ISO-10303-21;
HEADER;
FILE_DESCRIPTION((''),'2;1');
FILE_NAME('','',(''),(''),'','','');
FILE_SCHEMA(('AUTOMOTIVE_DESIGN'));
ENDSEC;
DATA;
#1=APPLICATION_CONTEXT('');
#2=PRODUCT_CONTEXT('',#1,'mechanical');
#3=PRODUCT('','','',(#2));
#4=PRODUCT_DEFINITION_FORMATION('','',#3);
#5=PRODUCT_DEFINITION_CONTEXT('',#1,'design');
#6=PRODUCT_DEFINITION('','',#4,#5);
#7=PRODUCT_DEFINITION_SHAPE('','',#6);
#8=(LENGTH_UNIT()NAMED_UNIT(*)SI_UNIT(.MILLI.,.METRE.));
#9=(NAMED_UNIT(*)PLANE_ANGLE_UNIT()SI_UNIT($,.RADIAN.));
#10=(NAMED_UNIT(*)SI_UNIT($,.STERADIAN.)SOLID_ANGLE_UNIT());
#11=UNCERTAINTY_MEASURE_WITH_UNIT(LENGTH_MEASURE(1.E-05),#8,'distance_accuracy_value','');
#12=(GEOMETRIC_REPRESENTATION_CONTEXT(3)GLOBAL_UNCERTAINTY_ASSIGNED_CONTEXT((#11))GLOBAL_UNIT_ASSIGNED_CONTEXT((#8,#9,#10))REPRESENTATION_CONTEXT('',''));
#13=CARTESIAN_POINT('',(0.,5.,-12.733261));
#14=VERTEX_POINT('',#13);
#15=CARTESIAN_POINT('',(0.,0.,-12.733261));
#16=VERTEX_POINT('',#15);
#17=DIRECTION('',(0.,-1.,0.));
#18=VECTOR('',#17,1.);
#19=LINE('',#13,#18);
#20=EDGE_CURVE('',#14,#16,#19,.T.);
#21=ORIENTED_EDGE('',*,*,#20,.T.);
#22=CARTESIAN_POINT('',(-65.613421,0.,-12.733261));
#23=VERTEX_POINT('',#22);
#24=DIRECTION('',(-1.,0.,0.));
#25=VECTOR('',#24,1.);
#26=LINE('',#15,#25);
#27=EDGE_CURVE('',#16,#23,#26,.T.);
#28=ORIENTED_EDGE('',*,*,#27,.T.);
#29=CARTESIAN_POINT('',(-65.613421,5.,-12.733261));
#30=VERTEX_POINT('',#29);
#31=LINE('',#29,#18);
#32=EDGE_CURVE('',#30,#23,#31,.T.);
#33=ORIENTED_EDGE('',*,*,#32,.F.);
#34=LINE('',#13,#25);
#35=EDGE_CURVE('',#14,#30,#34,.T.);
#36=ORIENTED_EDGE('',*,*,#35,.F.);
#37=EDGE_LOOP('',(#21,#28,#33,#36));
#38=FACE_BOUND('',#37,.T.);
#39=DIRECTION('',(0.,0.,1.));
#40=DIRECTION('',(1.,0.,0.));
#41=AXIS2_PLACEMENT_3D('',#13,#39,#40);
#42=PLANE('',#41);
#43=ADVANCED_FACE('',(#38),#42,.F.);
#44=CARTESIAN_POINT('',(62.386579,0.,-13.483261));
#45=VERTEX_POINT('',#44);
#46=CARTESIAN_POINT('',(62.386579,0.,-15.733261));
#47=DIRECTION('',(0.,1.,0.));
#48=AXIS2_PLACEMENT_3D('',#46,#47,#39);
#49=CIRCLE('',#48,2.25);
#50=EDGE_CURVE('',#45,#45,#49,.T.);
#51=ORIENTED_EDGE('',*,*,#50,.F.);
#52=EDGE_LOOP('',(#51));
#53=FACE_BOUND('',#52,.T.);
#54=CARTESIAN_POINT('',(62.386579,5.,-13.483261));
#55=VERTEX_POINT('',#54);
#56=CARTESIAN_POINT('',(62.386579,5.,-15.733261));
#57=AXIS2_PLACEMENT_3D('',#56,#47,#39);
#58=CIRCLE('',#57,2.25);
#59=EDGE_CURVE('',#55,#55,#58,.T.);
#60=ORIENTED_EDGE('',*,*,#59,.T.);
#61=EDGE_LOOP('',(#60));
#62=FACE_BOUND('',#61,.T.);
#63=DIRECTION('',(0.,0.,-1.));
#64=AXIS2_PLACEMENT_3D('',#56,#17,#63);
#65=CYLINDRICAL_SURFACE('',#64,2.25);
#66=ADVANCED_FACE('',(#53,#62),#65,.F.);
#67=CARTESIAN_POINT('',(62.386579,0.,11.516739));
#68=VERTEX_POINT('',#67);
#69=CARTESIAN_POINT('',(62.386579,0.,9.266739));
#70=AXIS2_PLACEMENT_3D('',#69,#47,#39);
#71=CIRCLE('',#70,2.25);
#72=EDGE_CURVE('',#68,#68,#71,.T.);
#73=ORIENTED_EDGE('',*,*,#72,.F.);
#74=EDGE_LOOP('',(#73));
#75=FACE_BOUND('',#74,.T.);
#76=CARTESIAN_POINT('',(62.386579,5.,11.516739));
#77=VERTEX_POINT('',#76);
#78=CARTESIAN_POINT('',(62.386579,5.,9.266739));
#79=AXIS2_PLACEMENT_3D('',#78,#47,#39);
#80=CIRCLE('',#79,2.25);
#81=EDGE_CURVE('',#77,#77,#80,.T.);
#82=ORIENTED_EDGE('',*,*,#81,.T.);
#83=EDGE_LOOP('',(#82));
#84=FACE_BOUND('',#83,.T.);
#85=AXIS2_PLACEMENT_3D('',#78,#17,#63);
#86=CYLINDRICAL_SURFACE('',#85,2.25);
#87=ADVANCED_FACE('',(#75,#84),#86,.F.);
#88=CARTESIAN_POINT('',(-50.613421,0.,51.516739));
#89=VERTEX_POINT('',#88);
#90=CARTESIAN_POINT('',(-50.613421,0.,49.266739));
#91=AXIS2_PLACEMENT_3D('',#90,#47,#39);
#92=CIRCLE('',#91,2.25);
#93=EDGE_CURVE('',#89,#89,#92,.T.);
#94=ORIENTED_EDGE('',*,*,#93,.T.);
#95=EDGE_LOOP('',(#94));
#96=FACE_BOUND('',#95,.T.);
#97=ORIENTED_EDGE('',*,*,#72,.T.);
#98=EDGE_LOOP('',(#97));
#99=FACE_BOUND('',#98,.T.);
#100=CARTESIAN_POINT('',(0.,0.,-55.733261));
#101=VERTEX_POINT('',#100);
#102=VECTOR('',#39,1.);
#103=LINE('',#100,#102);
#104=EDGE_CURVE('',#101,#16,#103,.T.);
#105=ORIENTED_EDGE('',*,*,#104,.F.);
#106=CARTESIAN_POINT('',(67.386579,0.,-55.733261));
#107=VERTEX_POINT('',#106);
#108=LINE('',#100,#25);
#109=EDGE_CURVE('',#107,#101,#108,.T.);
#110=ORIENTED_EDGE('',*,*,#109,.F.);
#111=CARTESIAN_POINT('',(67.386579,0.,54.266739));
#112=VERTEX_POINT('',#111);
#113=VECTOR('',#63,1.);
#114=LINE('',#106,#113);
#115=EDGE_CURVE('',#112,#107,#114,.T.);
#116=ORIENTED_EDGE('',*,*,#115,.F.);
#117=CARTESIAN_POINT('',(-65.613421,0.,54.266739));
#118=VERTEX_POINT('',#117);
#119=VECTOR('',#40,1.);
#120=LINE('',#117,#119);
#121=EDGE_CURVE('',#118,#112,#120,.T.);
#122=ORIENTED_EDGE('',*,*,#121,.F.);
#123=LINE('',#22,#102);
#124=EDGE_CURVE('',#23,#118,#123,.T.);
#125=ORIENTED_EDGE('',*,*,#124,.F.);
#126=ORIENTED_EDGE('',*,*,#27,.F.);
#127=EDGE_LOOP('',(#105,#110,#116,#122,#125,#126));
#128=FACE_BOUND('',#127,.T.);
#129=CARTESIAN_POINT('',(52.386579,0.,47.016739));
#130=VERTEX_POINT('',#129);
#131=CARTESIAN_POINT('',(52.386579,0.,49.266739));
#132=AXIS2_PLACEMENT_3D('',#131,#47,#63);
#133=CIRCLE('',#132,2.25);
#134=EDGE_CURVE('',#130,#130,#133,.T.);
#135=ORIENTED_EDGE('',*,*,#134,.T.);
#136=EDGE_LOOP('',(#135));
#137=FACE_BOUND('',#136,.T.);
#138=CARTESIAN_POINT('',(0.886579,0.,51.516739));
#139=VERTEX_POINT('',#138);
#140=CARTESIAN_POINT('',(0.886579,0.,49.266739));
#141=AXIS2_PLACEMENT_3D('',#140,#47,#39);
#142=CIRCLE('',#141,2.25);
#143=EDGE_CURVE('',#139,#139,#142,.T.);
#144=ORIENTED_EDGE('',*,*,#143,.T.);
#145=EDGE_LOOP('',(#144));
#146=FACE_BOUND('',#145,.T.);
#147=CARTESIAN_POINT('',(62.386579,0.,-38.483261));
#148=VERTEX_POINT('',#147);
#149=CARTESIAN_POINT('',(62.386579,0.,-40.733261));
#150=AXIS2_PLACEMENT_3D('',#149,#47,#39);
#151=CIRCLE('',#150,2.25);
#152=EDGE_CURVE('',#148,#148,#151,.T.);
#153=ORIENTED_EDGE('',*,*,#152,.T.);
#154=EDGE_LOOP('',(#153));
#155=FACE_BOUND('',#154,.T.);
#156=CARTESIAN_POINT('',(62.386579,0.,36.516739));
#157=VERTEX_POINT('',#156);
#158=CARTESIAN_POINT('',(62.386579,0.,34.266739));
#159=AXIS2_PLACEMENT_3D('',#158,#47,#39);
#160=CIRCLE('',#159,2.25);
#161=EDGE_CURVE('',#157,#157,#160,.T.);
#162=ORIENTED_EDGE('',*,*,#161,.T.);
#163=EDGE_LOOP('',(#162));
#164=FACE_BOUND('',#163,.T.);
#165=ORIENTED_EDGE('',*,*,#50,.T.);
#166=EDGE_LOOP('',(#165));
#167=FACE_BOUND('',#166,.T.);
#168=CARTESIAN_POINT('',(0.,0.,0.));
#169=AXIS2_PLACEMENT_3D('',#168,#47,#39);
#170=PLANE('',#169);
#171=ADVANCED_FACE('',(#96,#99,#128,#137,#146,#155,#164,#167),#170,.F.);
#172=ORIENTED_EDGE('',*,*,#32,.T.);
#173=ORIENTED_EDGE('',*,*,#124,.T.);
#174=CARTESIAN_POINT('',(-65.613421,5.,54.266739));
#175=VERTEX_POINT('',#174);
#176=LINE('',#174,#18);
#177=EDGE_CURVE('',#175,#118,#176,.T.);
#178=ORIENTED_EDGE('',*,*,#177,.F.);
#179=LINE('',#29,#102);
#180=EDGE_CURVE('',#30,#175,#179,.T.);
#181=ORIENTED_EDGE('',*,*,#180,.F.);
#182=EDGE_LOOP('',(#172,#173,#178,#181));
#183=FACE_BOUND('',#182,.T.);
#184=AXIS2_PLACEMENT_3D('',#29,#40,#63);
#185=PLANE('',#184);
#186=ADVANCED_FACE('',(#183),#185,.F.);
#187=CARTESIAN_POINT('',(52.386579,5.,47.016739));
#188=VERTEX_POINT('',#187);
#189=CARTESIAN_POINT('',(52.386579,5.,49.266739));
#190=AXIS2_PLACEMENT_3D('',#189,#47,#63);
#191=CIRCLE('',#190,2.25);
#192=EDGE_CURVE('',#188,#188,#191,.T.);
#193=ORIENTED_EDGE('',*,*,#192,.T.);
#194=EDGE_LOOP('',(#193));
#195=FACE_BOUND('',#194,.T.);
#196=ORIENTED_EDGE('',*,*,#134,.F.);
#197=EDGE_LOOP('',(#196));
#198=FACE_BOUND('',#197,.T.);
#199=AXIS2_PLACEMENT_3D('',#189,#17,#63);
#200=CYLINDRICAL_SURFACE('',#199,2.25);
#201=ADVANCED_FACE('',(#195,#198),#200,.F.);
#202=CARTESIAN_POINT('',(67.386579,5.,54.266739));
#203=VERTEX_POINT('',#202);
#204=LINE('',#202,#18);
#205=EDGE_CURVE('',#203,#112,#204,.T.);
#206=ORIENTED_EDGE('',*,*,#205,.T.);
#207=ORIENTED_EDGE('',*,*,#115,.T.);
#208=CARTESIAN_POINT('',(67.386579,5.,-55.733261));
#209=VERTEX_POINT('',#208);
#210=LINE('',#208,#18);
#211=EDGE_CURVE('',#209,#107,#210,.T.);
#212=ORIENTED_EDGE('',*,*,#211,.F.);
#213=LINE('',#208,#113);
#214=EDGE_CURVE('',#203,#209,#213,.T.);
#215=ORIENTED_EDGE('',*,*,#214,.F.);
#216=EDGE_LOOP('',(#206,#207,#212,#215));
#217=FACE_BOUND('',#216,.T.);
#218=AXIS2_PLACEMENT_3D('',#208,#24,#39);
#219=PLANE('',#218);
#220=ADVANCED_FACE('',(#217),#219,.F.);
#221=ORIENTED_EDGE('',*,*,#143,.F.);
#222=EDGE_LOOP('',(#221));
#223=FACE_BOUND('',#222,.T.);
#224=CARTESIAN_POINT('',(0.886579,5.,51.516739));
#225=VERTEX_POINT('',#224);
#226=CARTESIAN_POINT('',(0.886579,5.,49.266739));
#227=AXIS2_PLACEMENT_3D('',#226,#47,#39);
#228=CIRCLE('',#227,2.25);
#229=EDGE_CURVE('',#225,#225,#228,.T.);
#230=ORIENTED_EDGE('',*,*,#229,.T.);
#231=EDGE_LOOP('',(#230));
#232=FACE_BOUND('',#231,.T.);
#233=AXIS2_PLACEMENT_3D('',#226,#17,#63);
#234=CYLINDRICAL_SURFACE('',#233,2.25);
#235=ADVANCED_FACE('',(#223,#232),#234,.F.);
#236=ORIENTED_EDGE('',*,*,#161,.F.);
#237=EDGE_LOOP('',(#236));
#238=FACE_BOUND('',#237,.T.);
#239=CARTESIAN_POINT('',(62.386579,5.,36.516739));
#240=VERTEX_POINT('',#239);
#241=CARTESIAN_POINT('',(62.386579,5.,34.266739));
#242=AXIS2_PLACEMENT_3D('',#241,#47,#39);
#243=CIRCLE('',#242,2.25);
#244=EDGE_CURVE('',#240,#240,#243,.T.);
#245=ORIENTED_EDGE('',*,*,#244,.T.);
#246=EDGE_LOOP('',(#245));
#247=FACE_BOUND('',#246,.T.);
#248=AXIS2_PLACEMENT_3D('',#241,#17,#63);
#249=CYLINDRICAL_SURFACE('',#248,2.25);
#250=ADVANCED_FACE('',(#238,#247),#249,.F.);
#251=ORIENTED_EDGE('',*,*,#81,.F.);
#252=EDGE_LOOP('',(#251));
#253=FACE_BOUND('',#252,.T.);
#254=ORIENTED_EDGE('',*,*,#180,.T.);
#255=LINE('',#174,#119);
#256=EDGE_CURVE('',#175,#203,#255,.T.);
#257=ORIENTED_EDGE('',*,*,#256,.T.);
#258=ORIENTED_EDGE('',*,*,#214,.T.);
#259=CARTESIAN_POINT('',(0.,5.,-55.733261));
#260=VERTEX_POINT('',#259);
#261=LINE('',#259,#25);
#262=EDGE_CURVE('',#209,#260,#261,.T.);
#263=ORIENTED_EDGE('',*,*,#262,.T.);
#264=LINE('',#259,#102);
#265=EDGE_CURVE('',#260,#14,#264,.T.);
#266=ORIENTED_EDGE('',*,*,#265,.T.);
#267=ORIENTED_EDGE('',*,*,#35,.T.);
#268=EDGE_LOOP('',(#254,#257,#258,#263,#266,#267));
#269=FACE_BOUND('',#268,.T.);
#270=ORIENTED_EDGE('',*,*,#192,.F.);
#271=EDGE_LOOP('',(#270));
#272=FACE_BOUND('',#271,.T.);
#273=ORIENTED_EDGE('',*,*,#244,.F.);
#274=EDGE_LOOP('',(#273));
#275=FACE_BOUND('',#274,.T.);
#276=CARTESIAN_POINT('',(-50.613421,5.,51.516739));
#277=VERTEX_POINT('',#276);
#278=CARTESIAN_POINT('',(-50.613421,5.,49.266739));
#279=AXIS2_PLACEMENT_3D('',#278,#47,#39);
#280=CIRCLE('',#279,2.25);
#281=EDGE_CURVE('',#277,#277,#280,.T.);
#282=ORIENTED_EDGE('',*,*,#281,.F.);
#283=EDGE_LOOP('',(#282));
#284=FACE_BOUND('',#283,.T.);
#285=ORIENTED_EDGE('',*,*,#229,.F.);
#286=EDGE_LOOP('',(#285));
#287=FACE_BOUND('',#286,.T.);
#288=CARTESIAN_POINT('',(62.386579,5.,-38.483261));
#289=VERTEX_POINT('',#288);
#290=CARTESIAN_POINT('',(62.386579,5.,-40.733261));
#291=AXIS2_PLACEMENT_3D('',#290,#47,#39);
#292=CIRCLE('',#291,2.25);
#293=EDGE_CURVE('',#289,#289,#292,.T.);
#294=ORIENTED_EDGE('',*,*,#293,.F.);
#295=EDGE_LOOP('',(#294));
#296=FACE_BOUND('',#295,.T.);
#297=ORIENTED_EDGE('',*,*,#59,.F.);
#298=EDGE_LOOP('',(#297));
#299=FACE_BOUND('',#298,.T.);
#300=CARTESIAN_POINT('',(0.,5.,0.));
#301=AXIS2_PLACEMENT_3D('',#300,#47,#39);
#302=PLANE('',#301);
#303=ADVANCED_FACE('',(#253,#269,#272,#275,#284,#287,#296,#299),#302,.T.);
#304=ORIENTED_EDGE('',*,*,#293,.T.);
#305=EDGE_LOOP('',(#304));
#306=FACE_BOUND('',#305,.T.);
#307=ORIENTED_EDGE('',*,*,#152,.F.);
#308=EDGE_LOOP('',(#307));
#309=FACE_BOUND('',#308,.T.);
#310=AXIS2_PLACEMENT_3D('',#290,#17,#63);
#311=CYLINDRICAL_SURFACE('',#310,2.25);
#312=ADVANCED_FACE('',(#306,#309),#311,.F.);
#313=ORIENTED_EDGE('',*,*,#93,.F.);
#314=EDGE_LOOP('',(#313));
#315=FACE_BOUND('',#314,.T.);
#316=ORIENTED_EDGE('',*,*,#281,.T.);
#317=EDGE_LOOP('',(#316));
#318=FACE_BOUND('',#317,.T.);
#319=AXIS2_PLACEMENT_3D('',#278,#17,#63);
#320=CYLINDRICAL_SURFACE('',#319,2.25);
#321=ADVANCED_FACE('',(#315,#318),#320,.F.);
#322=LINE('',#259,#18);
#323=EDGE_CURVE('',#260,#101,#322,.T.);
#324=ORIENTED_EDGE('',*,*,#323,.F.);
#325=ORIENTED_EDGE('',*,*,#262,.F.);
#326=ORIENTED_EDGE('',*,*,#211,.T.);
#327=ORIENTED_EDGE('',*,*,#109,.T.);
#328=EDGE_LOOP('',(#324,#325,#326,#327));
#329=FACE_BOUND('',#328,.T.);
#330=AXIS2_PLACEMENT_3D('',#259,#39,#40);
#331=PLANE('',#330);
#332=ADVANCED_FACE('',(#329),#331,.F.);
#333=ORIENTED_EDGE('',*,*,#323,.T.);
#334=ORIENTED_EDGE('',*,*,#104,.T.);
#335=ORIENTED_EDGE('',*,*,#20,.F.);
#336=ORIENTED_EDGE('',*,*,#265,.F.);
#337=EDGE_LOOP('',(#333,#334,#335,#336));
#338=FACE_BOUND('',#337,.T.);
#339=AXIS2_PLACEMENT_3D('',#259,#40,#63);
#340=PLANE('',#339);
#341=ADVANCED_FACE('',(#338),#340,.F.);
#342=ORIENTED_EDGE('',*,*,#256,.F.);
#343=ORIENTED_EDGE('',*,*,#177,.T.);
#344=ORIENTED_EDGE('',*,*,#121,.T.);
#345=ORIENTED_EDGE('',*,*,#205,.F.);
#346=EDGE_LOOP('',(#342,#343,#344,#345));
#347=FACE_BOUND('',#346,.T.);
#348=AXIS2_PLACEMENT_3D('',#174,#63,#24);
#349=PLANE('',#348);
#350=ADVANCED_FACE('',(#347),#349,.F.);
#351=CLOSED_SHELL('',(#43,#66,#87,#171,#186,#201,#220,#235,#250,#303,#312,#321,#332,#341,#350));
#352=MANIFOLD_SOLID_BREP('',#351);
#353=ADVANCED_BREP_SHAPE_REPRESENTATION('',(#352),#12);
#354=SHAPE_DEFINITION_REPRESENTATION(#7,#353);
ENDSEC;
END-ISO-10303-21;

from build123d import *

# Parameters (mm, degrees)
SKETCH1_R           = 2.25
BOSS_EXTRUDE1_DEPTH = 5


with BuildPart() as part:
    # Sketch1 → Boss-Extrude1 (new body)
    with BuildSketch(Plane(origin=(0, 0, 0), x_dir=(1, 0, 0), z_dir=(0, 1, 0))):
        Polygon((0, 55.733260811), (0, 12.733260811), (-65.613421019, 12.733260811), (-65.613421019, -54.266739189), (67.386578981, -54.266739189), (67.386578981, 55.733260811), align=None)
        with Locations((62.386578981, 40.733260811)):
            Circle(SKETCH1_R, mode=Mode.SUBTRACT)
        with Locations((62.386578981, 15.733260811)):
            Circle(SKETCH1_R, mode=Mode.SUBTRACT)
        with Locations((62.386578981, -9.266739189)):
            Circle(SKETCH1_R, mode=Mode.SUBTRACT)
        with Locations((62.386578981, -34.266739189)):
            Circle(SKETCH1_R, mode=Mode.SUBTRACT)
        with Locations((0.886578981, -49.266739189)):
            Circle(SKETCH1_R, mode=Mode.SUBTRACT)
        with Locations((-50.613421019, -49.266739189)):
            Circle(SKETCH1_R, mode=Mode.SUBTRACT)
        with Locations((52.386578981, -49.266739189)):
            Circle(SKETCH1_R, mode=Mode.SUBTRACT)
    extrude(amount=BOSS_EXTRUDE1_DEPTH)


solid = part.part
